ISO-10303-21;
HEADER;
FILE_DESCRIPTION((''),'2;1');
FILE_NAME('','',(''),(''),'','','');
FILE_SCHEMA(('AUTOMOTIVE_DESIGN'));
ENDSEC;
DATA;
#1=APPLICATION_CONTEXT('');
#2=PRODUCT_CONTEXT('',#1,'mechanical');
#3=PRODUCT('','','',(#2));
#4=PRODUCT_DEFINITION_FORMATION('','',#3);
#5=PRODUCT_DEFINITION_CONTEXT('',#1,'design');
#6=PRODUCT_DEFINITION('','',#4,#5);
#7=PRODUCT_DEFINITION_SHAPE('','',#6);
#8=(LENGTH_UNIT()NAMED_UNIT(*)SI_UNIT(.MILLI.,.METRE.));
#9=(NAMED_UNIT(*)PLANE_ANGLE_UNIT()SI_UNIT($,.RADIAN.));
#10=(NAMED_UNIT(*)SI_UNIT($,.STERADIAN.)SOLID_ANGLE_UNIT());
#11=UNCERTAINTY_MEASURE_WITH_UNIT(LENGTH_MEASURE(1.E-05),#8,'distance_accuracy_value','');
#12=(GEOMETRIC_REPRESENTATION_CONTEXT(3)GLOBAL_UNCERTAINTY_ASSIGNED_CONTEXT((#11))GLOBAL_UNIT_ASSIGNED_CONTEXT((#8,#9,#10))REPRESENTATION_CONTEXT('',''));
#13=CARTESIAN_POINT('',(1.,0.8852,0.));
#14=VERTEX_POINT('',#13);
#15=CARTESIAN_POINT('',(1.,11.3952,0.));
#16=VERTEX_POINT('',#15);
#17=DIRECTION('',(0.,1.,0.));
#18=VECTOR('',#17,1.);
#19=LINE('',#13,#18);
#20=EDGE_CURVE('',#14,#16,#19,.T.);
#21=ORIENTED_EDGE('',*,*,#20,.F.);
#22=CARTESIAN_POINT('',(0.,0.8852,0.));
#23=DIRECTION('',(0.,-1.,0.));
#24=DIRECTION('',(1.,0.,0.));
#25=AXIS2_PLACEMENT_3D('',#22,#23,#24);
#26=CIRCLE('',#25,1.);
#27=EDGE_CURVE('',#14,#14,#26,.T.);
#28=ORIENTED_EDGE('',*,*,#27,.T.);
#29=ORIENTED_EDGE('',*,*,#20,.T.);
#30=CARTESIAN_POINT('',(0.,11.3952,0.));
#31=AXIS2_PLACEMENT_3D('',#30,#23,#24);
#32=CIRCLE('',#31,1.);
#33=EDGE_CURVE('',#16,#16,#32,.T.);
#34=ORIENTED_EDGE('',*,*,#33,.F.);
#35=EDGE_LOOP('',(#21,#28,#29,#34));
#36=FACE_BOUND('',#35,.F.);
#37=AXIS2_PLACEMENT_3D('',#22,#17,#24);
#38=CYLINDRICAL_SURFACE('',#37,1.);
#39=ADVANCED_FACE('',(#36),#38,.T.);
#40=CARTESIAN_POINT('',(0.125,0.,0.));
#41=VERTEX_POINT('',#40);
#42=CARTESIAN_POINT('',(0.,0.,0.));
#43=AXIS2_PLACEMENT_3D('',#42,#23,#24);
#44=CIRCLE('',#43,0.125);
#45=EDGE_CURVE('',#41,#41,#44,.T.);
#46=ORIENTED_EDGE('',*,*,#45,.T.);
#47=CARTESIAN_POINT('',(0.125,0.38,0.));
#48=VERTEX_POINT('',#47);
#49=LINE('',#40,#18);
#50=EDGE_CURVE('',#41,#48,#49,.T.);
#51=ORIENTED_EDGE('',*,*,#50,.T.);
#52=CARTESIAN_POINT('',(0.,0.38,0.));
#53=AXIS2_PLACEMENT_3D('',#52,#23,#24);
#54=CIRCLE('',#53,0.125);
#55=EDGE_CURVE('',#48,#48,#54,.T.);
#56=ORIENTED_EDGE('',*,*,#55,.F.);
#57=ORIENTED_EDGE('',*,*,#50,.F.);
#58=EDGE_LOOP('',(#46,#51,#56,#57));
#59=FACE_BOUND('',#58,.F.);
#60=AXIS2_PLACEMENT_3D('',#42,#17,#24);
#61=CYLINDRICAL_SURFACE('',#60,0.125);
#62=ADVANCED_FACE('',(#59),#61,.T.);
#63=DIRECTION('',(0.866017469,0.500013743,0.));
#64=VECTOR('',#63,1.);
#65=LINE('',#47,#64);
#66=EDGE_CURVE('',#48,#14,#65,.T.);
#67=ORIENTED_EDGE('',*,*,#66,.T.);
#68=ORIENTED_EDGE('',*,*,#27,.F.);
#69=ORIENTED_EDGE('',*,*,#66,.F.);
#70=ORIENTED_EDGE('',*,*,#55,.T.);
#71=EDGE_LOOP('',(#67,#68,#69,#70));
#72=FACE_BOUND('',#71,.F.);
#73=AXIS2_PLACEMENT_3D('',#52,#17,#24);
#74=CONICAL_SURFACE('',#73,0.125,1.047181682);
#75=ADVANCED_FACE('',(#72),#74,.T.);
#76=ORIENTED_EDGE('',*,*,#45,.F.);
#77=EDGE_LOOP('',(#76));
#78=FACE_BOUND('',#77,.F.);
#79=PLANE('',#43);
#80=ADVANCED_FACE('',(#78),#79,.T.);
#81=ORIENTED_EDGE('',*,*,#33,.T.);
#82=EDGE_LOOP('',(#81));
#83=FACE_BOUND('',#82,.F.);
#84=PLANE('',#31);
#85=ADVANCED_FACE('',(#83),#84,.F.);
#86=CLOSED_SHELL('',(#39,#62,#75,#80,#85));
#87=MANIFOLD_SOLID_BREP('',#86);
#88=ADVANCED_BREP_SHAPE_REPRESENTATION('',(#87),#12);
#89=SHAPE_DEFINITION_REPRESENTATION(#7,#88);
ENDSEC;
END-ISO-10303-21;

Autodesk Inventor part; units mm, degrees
ref_plane "YZ Plane" through (0, 0, 0) normal (1, 0, 0) x (0, 1, 0)
ref_plane "XZ Plane" through (0, 0, 0) normal (0, 1, 0) x (-1, 0, 0)
ref_plane "XY Plane" through (0, 0, 0) normal (0, 0, 1) x (1, 0, 0)
sketch "Boceto1" plane through (0, 0, 0) normal (0, 0, 1) x (1, 0, 0)
  line L0 (0.125, 0) -> (0.125, 0.38)
  line L1 (0.125, 0.38) -> (1, 0.8852)
  line L2 (1, 0.8852) -> (1, 11.3952)
  line L3 (-0.198, 0) -> (1.188, 0) projected
  line L4 (1, 11.3952) -> (0, 11.3952)
  line L5 (0, 0) -> (0.125, 0)
  line L6 (0, 11.3952) -> (0, 0)
  dimension "d1" = 0.125
  dimension "d2" = 0.38
  dimension "d4" = 10.51
  dimension "d8" = 60
  dimension "d9" = 1
revolve "Revolución1" add sketch "Boceto1" angle 360 about axis through (0, 11.3952, 0) along (0, -1, 0)
equation "\"d1\" = 0.5 * Dc"
equation "\"d2\" = Lc"
equation "\"d4\" = Ln"
equation "\"d8\" = alfa"
equation "\"d9\" = 0.5 * Do"
equation "\"Dc\" = 0.25"
equation "\"Lc\" = 0.38"
equation "\"Ln\" = 10.51"
equation "\"Do\" = 2"
equation "\"alfa\" = 60deg"
properties part number "Boquilla0.25"
